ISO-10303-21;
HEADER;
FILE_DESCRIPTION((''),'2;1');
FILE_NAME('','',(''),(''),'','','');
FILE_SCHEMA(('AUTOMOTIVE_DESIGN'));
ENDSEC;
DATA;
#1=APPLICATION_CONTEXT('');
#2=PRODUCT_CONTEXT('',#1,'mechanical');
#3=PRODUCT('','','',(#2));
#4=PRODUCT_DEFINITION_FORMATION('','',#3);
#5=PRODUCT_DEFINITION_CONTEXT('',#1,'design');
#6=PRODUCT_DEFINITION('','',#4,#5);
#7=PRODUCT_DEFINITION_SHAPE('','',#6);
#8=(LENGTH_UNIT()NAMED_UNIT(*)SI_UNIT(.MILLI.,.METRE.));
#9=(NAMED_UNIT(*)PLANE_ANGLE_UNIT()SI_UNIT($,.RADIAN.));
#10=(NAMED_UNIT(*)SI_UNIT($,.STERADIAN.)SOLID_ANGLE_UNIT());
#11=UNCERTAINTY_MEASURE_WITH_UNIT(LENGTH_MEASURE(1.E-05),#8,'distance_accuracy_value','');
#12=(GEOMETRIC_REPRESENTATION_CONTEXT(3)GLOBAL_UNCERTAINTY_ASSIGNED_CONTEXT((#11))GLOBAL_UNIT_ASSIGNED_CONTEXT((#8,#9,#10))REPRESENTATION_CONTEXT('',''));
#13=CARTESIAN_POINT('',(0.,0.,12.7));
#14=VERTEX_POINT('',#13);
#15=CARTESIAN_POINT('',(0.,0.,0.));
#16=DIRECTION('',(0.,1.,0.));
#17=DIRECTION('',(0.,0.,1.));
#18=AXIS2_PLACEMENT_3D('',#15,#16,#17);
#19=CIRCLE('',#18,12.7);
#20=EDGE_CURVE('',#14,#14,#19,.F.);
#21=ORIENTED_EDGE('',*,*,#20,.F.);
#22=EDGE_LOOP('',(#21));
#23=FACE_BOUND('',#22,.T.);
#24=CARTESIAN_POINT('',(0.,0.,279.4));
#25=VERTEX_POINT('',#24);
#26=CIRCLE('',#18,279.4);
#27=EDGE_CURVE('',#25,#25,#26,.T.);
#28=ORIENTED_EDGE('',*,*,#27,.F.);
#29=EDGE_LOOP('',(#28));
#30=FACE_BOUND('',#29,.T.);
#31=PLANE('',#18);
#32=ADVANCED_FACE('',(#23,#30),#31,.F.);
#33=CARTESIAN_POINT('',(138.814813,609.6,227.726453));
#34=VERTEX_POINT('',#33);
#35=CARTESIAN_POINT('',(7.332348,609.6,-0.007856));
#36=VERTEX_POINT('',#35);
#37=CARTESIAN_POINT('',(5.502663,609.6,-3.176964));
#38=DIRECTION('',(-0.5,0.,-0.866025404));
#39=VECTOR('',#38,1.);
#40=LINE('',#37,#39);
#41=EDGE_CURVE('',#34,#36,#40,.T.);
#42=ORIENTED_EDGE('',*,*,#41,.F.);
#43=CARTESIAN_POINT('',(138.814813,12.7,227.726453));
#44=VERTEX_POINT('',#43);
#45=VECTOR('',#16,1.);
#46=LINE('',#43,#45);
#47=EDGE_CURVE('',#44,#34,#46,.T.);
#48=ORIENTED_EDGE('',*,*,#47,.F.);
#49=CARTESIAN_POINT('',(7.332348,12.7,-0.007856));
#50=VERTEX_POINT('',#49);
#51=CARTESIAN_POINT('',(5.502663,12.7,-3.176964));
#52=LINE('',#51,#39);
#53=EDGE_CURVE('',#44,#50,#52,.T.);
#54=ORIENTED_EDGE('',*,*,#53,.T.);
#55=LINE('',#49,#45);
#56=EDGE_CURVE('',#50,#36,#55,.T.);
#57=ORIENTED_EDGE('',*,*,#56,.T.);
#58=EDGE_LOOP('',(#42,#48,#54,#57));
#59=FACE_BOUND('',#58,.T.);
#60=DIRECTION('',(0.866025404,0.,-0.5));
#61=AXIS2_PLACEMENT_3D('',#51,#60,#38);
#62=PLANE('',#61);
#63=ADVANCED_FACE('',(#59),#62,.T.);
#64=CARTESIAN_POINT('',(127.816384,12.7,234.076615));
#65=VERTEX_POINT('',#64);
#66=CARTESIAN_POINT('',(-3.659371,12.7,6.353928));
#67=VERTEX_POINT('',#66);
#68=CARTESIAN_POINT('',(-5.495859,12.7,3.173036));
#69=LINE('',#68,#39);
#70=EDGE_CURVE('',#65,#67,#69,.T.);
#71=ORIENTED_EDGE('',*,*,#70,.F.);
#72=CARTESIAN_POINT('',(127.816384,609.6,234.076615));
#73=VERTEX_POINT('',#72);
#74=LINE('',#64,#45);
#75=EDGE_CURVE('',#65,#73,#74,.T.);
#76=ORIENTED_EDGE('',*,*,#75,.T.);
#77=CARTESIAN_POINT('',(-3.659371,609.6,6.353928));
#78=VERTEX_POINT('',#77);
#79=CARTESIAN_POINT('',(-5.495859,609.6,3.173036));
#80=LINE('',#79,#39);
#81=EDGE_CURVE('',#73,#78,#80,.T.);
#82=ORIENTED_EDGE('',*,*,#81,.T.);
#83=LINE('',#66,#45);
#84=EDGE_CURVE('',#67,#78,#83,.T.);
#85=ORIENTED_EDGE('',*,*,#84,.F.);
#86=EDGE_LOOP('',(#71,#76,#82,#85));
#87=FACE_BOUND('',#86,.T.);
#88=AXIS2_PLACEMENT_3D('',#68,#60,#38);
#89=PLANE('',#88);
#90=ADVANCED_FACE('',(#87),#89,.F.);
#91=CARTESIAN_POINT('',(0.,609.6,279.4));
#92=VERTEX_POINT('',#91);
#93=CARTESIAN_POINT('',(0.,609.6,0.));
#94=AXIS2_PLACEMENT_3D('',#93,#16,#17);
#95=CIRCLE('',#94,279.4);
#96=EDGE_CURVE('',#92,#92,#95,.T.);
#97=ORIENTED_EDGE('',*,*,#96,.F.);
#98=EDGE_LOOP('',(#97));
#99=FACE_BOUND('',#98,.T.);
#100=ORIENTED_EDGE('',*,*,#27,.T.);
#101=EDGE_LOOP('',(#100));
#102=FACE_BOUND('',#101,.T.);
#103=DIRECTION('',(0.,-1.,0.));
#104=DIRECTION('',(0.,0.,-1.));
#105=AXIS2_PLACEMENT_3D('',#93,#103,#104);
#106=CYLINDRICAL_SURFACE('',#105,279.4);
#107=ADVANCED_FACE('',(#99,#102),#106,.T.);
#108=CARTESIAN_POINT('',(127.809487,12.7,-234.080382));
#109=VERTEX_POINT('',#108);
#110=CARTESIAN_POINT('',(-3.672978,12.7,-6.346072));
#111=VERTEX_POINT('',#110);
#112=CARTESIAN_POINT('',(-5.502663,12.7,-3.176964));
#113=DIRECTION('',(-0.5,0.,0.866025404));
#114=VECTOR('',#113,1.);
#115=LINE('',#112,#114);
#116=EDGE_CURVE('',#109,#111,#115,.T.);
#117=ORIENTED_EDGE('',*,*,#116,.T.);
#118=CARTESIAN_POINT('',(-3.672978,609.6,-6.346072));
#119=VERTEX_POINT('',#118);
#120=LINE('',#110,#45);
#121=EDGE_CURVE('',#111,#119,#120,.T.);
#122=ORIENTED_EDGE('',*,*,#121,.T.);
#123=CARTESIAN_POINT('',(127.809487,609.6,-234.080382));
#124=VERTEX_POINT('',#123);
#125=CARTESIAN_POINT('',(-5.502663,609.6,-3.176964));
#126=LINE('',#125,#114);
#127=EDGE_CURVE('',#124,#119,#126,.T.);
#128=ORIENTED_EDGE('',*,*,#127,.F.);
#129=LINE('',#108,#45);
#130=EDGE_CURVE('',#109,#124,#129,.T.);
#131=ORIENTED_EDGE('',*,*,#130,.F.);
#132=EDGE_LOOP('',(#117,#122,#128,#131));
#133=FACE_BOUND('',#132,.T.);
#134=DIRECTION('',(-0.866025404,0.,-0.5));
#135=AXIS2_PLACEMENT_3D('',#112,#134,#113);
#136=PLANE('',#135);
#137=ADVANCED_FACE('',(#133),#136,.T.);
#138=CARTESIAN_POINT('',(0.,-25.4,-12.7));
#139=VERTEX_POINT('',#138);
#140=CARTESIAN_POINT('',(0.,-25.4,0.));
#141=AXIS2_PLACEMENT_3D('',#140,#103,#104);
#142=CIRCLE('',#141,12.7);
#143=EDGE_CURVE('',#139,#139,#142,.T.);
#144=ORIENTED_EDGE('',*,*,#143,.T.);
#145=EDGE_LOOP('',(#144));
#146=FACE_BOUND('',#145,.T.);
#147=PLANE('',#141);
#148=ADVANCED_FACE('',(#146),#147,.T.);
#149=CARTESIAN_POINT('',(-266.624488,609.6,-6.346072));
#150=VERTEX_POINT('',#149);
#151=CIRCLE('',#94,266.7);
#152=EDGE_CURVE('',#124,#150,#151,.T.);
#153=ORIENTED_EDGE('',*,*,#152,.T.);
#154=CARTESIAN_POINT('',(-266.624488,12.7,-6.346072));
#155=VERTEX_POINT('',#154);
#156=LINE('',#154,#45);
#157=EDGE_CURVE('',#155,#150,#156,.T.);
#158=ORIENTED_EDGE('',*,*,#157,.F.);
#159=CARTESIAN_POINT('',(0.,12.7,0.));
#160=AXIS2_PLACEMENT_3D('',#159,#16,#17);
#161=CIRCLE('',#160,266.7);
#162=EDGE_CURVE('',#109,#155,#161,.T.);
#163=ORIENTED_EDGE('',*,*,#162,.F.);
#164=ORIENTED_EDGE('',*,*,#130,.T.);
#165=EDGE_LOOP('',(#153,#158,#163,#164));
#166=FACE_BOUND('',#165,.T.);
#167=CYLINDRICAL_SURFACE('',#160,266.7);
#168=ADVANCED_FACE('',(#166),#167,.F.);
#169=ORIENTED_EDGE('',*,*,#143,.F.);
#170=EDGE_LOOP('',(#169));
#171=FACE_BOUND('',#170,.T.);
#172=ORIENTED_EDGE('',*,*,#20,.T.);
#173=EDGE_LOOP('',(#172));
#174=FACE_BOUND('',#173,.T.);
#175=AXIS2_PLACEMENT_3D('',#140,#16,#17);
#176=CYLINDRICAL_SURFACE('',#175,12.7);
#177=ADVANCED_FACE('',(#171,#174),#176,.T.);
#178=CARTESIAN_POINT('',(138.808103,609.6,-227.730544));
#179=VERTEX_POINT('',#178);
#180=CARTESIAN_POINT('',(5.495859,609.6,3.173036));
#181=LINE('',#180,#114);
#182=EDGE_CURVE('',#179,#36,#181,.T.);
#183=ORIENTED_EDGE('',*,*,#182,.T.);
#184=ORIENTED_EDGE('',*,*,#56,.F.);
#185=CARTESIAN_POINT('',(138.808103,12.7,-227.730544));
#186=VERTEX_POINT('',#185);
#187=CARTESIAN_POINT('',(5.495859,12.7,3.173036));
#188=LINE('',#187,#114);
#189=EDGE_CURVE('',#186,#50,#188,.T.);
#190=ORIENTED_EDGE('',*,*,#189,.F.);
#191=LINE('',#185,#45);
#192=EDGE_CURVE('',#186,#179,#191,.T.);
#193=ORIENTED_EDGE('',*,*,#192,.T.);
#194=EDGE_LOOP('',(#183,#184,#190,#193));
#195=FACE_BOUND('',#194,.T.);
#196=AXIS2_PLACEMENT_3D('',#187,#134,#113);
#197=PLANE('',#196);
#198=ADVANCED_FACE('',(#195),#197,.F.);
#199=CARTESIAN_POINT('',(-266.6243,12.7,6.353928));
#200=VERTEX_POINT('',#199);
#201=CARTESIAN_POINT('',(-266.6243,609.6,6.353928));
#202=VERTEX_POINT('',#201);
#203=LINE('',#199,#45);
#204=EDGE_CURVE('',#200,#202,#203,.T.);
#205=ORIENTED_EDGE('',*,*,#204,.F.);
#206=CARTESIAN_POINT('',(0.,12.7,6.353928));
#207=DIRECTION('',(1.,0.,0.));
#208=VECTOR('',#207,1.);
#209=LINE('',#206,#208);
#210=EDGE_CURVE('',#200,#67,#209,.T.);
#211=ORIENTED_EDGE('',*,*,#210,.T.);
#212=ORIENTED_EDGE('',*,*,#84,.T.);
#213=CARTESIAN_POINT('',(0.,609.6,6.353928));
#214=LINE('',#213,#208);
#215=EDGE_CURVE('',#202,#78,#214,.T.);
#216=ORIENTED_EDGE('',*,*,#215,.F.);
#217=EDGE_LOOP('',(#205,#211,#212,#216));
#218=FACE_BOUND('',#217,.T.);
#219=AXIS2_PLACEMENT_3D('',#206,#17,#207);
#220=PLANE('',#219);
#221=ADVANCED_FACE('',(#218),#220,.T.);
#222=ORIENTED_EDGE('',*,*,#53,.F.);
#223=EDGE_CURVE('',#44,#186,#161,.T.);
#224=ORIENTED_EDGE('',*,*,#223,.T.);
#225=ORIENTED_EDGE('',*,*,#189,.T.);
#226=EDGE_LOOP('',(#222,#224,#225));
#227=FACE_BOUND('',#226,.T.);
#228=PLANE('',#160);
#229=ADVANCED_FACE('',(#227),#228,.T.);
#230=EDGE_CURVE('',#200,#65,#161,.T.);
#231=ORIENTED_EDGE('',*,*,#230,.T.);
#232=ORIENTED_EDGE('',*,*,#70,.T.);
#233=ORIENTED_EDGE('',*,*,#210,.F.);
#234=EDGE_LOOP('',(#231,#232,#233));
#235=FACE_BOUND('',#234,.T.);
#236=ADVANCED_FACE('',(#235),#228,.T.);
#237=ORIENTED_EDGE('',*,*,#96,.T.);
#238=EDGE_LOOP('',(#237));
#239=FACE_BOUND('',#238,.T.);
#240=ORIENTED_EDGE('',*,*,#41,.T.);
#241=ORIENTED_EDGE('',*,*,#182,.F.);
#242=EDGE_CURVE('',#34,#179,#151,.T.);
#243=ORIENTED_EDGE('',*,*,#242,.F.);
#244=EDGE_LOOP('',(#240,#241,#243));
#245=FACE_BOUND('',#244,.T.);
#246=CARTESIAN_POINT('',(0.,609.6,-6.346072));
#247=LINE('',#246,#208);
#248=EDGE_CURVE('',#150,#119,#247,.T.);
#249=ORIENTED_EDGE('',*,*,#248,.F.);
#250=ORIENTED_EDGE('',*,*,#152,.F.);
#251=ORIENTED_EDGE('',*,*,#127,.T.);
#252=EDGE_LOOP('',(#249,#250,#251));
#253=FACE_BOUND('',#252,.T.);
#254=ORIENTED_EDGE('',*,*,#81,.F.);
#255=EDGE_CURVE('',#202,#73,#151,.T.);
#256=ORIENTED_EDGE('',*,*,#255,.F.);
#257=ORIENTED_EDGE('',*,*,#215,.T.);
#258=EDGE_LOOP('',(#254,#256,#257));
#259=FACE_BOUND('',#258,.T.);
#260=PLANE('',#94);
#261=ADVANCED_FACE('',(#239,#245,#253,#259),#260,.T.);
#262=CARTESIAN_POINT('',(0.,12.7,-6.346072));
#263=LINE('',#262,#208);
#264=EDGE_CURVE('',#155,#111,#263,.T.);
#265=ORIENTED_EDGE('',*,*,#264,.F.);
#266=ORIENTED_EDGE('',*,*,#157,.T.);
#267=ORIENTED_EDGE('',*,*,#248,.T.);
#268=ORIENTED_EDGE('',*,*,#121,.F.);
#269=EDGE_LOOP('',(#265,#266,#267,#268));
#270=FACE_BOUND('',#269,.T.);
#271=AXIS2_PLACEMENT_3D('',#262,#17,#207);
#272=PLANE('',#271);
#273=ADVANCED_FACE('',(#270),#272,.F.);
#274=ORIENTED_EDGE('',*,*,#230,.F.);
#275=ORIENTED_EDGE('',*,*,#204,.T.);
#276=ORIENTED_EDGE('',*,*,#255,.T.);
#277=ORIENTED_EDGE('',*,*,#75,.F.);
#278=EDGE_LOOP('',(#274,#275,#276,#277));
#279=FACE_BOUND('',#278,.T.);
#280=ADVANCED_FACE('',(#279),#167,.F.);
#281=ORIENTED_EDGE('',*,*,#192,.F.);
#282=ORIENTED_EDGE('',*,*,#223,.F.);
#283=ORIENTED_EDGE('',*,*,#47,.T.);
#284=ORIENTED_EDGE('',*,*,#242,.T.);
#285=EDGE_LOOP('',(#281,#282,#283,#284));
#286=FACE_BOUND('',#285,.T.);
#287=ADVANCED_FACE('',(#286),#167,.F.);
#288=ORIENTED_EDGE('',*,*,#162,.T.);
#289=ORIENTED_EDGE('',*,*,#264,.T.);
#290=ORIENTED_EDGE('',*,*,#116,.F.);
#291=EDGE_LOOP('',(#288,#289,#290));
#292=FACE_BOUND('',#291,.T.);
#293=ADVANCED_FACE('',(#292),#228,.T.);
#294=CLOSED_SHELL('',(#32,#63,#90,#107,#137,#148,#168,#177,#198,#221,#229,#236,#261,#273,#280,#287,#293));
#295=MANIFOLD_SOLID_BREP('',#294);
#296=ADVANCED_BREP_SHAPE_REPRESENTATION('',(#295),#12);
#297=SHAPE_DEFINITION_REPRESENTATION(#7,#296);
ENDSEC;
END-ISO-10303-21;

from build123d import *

# Parameters (mm, degrees)
SKETCH1_R           = 279.4
BOSS_EXTRUDE1_DEPTH = 609.6
CUT_EXTRUDE1_DEPTH  = 596.9
SKETCH4_R           = 12.7
BOSS_EXTRUDE2_DEPTH = 25.4


with BuildPart() as part:
    # Sketch1 → Boss-Extrude1 (new body)
    with BuildSketch(Plane(origin=(0, 0, 0), x_dir=(1, 0, 0), z_dir=(0, 1, 0))):
        Circle(SKETCH1_R)
    extrude(amount=BOSS_EXTRUDE1_DEPTH)

    # Sketch3 → Cut-Extrude1 (cut)
    with BuildSketch(Plane(origin=(0, 609.6, 0), x_dir=(1, 0, 0), z_dir=(0, 1, 0))):
        with BuildLine():
            ThreePointArc((127.809487072, 234.080381524), (-133.353402796, 230.967010551), (-266.624487569, 6.346071887))
            Line((-266.624487569, 6.346071887), (-3.672977901, 6.346071887))
            Line((-3.672977901, 6.346071887), (127.809487072, 234.080381524))
        make_face()
        with BuildLine():
            Line((-3.659370518, -6.353928113), (-266.624300463, -6.353928113))
            ThreePointArc((-266.624300463, -6.353928113), (-133.346597175, -230.970939778), (127.816384316, -234.07661545))
            Line((127.816384316, -234.07661545), (-3.659370518, -6.353928113))
        make_face()
        with BuildLine():
            ThreePointArc((266.7, 0), (232.539255974, 130.592436348), (138.808103253, 227.730543563))
            Line((138.808103253, 227.730543563), (7.332348419, 0.007856226))
            Line((7.332348419, 0.007856226), (138.814813391, -227.726453411))
            ThreePointArc((138.814813391, -227.726453411), (232.541179935, -130.589010389), (266.7, 0))
        make_face()
    extrude(amount=-CUT_EXTRUDE1_DEPTH, mode=Mode.SUBTRACT)

    # Sketch4 → Boss-Extrude2 (add)
    with BuildSketch(Plane.XZ):
        Circle(SKETCH4_R)
    extrude(amount=BOSS_EXTRUDE2_DEPTH)


solid = part.part
